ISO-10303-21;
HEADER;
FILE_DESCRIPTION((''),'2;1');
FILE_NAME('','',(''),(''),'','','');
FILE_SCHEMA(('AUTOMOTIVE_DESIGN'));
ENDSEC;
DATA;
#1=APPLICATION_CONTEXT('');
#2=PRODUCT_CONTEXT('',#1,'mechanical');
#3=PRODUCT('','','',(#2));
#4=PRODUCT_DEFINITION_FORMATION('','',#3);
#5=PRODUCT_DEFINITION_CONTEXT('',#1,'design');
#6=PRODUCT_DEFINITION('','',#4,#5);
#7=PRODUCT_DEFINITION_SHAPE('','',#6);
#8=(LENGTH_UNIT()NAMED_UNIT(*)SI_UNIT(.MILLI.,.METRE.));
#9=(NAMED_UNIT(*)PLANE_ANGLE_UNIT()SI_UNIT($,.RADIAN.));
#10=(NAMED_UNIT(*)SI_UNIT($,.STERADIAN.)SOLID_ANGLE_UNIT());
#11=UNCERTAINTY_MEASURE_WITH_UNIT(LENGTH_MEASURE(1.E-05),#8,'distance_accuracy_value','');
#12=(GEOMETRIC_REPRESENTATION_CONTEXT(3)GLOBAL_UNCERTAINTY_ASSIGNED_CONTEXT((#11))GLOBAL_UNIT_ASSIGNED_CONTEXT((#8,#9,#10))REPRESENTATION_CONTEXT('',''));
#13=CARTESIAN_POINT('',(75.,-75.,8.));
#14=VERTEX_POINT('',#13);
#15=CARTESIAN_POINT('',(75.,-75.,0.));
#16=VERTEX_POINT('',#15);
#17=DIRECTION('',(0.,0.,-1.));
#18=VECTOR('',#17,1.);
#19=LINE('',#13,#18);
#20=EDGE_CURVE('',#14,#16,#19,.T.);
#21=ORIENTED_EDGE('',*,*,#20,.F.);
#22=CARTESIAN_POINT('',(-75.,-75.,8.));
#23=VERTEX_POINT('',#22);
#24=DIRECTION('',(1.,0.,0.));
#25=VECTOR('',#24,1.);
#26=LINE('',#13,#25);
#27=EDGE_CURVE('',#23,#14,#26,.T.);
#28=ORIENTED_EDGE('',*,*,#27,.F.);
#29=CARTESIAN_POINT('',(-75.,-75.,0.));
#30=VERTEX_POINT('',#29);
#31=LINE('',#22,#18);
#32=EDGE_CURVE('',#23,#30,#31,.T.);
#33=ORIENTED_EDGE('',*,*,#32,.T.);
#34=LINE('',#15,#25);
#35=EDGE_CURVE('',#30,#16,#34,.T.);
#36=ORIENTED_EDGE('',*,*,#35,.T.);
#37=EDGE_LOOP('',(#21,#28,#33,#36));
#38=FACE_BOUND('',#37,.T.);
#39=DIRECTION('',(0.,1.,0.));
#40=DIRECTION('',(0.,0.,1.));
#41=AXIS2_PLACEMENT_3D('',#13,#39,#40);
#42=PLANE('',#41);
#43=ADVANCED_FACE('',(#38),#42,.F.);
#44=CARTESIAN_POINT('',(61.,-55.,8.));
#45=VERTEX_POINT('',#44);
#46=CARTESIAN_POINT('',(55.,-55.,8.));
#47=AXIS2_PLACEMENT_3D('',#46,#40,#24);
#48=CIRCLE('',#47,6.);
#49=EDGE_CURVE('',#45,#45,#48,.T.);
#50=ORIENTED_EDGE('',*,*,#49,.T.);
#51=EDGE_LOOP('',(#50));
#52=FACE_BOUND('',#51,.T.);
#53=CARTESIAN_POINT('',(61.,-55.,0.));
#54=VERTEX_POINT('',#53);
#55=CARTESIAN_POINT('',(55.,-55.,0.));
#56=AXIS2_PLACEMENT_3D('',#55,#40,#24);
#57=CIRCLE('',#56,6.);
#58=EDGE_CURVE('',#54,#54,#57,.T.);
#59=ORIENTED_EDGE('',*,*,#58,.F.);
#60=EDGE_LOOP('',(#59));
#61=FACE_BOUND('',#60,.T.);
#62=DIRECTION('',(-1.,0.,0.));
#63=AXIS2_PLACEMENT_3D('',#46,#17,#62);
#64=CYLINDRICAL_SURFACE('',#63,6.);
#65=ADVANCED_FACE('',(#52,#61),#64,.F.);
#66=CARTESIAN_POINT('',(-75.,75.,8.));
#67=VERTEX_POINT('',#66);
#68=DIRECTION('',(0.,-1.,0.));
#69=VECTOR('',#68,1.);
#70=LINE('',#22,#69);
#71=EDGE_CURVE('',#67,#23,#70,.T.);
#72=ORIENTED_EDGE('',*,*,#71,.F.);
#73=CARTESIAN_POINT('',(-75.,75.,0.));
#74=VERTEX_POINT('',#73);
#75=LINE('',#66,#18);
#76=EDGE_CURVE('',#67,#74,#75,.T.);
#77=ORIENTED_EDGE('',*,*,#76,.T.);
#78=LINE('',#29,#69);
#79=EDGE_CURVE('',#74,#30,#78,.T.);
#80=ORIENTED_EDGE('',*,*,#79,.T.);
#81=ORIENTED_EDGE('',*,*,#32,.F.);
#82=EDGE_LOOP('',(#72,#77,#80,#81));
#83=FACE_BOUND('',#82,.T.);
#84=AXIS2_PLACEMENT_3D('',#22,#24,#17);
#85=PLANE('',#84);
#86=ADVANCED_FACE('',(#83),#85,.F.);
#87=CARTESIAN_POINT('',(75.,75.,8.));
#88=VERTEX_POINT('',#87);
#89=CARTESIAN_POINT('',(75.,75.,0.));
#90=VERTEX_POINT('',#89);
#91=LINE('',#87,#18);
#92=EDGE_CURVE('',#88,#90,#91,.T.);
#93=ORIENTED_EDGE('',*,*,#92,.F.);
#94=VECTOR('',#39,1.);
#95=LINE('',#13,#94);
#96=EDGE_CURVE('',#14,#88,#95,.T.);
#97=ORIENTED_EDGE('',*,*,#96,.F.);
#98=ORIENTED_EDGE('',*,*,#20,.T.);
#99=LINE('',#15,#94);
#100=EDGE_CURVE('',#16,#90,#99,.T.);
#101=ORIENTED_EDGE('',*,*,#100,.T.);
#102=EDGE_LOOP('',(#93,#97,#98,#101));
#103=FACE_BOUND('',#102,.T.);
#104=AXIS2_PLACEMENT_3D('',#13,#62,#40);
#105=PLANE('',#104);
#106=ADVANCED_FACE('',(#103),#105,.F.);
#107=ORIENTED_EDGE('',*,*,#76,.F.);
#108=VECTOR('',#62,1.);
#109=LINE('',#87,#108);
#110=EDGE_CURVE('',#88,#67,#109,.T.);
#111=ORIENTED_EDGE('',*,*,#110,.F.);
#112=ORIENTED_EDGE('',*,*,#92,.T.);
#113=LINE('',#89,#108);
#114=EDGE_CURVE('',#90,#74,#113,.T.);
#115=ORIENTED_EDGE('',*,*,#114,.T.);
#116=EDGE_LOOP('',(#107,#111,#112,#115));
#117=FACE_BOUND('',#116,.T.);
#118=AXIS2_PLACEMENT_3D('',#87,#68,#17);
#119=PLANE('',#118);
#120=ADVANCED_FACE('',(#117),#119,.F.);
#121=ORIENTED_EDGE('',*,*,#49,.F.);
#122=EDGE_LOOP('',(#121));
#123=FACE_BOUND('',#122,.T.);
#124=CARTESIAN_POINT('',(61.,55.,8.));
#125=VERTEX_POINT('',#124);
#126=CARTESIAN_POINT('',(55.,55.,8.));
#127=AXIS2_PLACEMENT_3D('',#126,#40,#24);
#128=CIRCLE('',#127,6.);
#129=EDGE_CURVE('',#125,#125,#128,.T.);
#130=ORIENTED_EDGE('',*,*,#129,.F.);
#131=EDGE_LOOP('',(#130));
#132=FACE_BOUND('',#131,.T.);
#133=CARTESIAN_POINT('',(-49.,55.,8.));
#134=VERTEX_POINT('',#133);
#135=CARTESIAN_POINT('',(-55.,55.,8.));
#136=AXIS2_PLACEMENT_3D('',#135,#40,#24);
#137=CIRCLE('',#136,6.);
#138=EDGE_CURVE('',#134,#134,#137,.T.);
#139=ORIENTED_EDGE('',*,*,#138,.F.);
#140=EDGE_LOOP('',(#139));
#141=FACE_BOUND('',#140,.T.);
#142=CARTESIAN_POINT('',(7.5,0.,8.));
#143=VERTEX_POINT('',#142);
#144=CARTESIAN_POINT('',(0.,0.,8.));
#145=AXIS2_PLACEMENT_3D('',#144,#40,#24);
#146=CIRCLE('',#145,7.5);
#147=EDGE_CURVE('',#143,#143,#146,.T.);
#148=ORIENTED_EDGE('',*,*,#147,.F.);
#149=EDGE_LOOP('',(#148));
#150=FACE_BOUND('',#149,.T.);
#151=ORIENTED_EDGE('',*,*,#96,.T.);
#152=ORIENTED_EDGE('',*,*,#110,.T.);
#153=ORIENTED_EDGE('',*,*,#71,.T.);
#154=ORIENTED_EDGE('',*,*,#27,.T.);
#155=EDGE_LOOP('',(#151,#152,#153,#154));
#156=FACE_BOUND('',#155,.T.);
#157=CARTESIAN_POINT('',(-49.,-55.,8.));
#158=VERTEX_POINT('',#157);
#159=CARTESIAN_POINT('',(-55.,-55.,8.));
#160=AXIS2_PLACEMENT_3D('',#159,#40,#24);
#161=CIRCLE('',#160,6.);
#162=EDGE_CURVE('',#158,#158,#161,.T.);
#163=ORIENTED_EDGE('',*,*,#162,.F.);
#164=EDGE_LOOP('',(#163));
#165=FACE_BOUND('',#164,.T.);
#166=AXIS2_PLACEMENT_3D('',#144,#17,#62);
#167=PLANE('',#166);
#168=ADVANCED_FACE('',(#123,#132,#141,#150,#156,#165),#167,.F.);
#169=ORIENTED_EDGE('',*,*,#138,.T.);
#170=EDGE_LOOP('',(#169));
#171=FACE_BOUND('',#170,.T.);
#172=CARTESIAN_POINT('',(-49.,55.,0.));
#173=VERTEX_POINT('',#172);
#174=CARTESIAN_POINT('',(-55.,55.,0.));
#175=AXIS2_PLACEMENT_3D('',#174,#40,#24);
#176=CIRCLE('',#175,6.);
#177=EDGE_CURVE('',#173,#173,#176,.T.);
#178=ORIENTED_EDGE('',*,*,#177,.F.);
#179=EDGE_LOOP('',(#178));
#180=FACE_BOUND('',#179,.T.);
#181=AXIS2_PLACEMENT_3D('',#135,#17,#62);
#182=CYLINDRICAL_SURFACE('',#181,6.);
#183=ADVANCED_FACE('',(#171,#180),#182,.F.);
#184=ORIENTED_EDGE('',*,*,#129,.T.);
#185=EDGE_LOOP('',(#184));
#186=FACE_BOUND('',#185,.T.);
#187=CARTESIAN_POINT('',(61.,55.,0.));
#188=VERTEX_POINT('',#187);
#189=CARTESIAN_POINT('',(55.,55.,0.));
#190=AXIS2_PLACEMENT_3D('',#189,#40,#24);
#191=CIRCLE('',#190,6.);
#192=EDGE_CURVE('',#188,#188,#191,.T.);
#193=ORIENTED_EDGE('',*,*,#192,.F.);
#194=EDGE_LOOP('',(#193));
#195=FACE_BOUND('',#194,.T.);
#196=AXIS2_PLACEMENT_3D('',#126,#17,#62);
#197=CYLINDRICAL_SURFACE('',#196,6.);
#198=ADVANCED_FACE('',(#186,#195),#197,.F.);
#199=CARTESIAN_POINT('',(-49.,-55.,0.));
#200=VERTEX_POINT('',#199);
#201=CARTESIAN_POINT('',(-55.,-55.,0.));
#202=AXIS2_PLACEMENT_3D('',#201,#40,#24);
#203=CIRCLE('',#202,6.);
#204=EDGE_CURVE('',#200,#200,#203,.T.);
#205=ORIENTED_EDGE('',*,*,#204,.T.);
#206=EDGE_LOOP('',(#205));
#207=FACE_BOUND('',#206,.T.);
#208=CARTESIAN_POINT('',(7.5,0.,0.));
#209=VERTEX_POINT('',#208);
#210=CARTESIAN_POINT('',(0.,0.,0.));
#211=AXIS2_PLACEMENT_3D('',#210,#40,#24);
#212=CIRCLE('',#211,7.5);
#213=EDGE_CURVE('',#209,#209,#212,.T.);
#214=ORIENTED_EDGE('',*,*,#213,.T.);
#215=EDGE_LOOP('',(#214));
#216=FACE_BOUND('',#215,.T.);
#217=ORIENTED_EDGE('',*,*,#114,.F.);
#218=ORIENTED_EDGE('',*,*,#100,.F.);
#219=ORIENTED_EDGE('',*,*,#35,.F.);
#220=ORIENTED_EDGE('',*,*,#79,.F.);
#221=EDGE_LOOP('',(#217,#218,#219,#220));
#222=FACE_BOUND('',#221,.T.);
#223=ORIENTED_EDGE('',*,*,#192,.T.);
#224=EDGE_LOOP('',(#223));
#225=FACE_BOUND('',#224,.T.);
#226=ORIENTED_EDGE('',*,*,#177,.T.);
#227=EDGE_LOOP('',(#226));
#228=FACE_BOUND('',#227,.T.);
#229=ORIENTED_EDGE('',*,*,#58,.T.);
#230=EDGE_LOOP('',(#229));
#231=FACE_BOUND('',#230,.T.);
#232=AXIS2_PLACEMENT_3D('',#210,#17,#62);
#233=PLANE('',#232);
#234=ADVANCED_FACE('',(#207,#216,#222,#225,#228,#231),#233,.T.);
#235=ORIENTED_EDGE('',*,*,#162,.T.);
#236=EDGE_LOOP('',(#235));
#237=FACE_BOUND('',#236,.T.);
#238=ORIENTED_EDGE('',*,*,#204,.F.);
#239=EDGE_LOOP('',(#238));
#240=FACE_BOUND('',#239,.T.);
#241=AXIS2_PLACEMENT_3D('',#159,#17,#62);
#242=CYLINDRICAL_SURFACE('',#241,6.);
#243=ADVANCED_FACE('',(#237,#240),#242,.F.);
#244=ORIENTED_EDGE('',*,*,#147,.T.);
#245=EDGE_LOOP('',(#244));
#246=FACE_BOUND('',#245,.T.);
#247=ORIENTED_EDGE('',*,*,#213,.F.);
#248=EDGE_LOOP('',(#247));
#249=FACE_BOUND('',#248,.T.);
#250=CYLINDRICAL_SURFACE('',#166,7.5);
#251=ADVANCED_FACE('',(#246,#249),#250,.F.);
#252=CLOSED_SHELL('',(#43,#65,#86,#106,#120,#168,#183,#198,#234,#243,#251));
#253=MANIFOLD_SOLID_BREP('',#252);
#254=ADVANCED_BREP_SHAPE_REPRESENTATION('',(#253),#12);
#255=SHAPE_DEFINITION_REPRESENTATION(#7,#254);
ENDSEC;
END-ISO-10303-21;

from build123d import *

# Parameters (mm, degrees)
SKETCH1_W           = 150
SKETCH1_H           = 150
BOSS_EXTRUDE1_DEPTH = 8
SKETCH2_R           = 6
CUT_EXTRUDE1_DEPTH  = 107.367288205
SKETCH3_R           = 7.5
CUT_EXTRUDE2_DEPTH  = 107.367288205


with BuildPart() as part:
    # Sketch1 → Boss-Extrude1 (new body)
    with BuildSketch(Plane(origin=(0, 0, 0), x_dir=(0, 1, 0), z_dir=(0, 0, 1))):
        Rectangle(SKETCH1_W, SKETCH1_H)
    extrude(amount=BOSS_EXTRUDE1_DEPTH)

    # Sketch2 → Cut-Extrude1 (cut, through all)
    with BuildSketch(Plane(origin=(0, 0, 0), x_dir=(0, 1, 0), z_dir=(0, 0, 1))):
        with Locations(Location((-55, 55, 0), (0, 0, 270))):
            Circle(SKETCH2_R)
        with Locations(Location((55, 55, 0), (0, 0, 270))):
            Circle(SKETCH2_R)
        with Locations(Location((-55, -55, 0), (0, 0, 270))):
            Circle(SKETCH2_R)
        with Locations(Location((55, -55, 0), (0, 0, 270))):
            Circle(SKETCH2_R)
    extrude(amount=CUT_EXTRUDE1_DEPTH, mode=Mode.SUBTRACT)

    # Sketch3 → Cut-Extrude2 (cut, through all)
    with BuildSketch(Plane(origin=(0, 0, 0), x_dir=(0, 1, 0), z_dir=(0, 0, 1))):
        with Locations(Location((0, 0, 0), (0, 0, 270))):
            Circle(SKETCH3_R)
    extrude(amount=CUT_EXTRUDE2_DEPTH, mode=Mode.SUBTRACT)


solid = part.part
